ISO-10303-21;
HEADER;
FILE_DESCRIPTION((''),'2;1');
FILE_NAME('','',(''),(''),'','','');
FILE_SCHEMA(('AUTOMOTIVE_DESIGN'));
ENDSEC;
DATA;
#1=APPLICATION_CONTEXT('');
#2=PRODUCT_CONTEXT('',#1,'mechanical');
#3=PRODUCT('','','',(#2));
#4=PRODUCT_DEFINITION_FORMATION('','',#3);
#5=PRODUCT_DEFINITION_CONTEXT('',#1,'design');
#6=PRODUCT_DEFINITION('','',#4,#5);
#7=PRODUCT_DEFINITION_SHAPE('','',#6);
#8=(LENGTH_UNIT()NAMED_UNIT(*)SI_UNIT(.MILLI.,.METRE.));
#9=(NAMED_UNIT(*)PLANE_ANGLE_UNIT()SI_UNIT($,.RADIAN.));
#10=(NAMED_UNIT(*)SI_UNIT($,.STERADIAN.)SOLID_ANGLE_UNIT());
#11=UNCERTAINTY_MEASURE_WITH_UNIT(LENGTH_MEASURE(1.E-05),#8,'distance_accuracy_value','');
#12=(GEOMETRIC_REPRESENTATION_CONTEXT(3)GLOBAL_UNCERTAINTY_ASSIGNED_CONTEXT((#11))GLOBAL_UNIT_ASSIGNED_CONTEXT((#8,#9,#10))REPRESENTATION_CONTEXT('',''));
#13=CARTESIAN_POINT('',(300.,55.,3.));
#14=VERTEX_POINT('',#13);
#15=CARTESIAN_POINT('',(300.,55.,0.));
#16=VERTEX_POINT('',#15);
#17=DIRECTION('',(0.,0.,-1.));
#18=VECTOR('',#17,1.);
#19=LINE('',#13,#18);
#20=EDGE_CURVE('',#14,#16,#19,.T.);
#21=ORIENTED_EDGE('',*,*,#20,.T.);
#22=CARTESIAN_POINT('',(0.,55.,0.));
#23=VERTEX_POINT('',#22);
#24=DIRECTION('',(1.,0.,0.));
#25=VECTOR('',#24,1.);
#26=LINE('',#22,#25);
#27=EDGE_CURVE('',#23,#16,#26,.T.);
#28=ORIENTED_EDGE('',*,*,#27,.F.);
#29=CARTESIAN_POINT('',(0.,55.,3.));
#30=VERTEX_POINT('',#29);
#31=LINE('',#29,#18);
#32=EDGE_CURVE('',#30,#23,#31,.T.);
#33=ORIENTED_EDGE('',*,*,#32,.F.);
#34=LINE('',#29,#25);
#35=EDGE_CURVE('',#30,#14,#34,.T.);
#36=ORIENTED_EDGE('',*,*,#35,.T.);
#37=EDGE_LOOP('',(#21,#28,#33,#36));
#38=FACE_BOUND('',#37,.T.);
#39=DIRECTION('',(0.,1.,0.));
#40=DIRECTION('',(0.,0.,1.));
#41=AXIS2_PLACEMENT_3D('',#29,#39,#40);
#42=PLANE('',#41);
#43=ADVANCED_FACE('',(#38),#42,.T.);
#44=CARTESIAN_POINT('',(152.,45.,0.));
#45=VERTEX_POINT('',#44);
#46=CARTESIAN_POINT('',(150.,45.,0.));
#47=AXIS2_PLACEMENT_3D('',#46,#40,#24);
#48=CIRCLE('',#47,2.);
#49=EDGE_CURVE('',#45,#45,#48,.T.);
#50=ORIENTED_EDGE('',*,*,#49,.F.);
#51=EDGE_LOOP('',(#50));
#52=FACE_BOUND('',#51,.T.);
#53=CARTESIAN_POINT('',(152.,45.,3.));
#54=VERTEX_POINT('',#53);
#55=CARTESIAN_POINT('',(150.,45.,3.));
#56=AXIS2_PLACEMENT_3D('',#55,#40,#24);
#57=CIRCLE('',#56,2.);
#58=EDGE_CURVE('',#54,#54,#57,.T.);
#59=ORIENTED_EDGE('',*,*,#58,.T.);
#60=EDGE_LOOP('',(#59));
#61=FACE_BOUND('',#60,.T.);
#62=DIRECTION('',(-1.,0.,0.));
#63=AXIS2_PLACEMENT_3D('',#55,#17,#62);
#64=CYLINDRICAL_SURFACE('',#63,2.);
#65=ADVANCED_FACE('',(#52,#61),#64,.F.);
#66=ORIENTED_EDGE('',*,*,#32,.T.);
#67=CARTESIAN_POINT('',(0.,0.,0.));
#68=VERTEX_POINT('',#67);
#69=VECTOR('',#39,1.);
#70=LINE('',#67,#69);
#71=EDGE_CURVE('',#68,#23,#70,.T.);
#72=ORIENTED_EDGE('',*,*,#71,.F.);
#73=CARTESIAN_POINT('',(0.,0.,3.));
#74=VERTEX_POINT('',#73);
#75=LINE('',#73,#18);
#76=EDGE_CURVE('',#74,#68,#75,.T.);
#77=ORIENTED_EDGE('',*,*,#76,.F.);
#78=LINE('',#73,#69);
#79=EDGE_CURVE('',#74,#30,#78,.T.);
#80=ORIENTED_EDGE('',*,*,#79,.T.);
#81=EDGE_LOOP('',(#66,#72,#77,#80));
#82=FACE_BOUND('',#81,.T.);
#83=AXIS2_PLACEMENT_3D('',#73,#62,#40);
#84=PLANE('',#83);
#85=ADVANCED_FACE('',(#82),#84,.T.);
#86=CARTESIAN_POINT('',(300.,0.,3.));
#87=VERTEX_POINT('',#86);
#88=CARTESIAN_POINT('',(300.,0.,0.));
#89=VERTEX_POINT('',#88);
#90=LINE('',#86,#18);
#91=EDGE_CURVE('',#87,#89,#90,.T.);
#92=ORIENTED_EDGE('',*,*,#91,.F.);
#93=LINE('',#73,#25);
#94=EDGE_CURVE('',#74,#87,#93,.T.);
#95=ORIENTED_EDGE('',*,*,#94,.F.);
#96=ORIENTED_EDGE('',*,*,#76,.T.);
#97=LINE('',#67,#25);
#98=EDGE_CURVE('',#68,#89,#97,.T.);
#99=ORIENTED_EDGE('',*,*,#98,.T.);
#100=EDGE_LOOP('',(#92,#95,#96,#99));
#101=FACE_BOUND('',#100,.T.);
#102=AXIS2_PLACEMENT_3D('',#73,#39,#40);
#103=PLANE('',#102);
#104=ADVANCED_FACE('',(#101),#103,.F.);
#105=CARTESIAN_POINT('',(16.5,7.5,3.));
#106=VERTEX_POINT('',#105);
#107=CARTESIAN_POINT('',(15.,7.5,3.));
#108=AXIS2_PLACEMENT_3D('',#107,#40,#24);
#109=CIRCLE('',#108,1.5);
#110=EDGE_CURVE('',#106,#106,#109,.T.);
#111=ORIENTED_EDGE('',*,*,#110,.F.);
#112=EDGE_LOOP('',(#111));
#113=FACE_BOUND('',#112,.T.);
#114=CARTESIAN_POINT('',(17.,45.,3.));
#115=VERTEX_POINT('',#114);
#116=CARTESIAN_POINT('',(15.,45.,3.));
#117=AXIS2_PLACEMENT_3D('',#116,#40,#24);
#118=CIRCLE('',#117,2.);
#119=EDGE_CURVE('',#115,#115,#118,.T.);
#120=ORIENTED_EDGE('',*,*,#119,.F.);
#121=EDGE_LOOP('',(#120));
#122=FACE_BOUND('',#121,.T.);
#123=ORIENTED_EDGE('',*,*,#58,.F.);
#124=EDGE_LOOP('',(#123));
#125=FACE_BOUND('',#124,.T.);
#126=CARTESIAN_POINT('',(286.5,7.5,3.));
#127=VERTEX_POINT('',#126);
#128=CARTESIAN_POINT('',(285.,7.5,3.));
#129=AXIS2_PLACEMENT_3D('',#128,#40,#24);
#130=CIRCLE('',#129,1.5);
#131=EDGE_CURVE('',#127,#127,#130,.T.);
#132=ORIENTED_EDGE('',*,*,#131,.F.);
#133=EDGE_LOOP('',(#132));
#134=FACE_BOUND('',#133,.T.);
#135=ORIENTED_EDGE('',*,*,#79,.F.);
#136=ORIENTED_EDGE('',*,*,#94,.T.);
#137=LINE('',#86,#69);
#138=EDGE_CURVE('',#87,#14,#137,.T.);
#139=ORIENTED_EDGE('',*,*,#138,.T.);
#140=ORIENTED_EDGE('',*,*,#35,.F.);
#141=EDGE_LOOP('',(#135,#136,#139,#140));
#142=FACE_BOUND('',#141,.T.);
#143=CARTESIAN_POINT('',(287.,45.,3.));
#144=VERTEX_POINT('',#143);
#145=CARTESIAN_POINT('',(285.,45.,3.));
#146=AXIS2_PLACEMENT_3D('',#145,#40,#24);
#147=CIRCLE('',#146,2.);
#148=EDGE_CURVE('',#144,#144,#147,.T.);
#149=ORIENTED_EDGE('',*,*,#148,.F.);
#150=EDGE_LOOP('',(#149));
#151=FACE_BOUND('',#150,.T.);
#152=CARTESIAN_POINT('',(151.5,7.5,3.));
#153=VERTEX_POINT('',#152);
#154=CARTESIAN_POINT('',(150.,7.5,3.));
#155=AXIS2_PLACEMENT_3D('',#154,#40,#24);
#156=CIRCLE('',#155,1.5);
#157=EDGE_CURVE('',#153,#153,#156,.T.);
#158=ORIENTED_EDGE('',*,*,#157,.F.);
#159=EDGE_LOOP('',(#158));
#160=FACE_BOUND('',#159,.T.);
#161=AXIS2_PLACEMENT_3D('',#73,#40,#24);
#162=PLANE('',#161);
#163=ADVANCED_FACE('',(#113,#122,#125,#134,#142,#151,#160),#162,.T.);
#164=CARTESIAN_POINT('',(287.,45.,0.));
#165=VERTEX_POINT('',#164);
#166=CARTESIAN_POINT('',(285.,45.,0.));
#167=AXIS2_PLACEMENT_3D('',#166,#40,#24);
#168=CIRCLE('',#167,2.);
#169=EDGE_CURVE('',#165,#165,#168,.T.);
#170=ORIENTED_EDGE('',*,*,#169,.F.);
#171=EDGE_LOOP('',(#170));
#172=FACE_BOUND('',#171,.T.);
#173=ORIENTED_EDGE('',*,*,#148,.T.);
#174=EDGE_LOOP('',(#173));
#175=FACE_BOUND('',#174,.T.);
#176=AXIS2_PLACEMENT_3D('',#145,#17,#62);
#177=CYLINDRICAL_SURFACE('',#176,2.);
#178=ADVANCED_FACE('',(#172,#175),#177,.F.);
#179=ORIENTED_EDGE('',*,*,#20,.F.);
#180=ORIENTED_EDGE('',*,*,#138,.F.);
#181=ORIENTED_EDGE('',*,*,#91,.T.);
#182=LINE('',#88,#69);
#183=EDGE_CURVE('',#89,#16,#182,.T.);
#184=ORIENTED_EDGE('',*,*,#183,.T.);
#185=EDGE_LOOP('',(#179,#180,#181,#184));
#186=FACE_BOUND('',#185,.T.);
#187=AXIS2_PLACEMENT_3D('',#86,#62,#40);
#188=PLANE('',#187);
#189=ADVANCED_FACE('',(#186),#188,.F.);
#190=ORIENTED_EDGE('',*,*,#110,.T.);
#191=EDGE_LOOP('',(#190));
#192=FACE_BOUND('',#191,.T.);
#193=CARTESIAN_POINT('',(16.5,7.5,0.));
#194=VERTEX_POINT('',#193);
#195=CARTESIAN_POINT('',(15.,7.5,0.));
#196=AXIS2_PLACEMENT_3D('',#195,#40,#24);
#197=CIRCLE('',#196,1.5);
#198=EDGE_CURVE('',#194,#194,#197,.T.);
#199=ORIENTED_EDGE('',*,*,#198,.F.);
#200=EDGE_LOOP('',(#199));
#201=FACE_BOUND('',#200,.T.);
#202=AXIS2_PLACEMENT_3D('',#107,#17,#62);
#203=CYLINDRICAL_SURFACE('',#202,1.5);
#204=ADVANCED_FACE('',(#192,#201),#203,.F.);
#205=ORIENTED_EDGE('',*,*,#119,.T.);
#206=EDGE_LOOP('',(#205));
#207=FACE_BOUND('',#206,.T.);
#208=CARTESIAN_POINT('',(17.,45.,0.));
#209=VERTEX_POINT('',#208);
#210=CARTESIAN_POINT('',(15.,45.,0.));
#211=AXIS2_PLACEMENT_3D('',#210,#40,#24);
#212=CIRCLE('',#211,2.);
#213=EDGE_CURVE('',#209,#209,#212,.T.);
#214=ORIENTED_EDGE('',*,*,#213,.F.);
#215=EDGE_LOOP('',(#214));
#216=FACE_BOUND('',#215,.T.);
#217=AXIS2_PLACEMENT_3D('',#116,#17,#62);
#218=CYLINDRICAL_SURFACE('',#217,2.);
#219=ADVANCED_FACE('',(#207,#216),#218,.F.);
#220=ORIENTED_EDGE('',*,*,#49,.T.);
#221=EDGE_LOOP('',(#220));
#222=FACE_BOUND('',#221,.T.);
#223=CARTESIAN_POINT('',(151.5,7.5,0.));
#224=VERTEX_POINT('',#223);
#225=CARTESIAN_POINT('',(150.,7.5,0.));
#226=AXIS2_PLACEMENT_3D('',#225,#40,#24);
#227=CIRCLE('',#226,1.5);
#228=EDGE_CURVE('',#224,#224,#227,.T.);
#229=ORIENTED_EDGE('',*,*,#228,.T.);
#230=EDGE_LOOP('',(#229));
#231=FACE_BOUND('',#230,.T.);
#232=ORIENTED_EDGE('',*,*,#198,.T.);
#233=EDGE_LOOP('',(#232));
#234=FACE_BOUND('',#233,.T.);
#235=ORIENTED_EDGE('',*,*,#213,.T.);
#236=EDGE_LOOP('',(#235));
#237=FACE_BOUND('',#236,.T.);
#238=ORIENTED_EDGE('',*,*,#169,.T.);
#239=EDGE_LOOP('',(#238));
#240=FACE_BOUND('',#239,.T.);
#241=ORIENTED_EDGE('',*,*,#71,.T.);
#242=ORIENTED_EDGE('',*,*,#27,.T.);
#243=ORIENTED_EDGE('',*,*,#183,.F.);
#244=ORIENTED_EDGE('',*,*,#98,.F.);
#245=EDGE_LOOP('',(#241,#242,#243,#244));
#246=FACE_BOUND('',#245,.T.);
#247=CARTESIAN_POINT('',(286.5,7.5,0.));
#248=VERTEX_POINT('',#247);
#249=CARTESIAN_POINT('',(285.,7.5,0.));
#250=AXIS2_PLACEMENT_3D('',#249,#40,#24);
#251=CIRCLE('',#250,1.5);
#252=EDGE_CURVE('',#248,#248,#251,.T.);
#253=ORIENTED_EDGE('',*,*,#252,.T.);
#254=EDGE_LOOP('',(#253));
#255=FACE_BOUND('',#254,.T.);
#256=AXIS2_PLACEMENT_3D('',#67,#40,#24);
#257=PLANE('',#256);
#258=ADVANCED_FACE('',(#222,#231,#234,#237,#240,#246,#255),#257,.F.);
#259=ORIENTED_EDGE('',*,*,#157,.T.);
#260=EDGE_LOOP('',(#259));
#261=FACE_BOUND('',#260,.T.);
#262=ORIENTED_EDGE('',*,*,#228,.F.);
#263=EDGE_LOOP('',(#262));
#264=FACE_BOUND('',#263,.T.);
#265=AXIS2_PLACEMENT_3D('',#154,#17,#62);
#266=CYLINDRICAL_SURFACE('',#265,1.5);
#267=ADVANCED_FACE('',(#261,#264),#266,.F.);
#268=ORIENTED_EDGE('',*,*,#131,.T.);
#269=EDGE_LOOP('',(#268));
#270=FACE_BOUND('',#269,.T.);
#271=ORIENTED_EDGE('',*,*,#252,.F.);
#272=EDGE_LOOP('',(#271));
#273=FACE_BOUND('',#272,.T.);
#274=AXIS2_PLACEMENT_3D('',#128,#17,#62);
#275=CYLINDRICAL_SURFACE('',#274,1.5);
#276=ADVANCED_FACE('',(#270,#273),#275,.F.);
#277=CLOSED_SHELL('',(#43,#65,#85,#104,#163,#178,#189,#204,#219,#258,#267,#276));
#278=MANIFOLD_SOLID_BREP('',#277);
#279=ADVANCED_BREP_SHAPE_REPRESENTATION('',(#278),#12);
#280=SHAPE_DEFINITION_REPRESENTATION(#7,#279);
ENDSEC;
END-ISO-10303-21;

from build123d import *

# Parameters (mm, degrees)
SKETCH1_W           = 300
SKETCH1_H           = 55
SKETCH1_R           = 2
SKETCH1_R_2         = 1.5
BOSS_EXTRUDE1_DEPTH = 3


with BuildPart() as part:
    # Sketch1 → Boss-Extrude1 (new body)
    with BuildSketch(Plane.XY):
        with Locations((150, 27.5)):
            Rectangle(SKETCH1_W, SKETCH1_H)
        with Locations((15, 45)):
            Circle(SKETCH1_R, mode=Mode.SUBTRACT)
        with Locations((150, 45)):
            Circle(SKETCH1_R, mode=Mode.SUBTRACT)
        with Locations((285, 45)):
            Circle(SKETCH1_R, mode=Mode.SUBTRACT)
        with Locations((15, 7.5)):
            Circle(SKETCH1_R_2, mode=Mode.SUBTRACT)
        with Locations((150, 7.5)):
            Circle(SKETCH1_R_2, mode=Mode.SUBTRACT)
        with Locations((285, 7.5)):
            Circle(SKETCH1_R_2, mode=Mode.SUBTRACT)
    extrude(amount=BOSS_EXTRUDE1_DEPTH)


solid = part.part
